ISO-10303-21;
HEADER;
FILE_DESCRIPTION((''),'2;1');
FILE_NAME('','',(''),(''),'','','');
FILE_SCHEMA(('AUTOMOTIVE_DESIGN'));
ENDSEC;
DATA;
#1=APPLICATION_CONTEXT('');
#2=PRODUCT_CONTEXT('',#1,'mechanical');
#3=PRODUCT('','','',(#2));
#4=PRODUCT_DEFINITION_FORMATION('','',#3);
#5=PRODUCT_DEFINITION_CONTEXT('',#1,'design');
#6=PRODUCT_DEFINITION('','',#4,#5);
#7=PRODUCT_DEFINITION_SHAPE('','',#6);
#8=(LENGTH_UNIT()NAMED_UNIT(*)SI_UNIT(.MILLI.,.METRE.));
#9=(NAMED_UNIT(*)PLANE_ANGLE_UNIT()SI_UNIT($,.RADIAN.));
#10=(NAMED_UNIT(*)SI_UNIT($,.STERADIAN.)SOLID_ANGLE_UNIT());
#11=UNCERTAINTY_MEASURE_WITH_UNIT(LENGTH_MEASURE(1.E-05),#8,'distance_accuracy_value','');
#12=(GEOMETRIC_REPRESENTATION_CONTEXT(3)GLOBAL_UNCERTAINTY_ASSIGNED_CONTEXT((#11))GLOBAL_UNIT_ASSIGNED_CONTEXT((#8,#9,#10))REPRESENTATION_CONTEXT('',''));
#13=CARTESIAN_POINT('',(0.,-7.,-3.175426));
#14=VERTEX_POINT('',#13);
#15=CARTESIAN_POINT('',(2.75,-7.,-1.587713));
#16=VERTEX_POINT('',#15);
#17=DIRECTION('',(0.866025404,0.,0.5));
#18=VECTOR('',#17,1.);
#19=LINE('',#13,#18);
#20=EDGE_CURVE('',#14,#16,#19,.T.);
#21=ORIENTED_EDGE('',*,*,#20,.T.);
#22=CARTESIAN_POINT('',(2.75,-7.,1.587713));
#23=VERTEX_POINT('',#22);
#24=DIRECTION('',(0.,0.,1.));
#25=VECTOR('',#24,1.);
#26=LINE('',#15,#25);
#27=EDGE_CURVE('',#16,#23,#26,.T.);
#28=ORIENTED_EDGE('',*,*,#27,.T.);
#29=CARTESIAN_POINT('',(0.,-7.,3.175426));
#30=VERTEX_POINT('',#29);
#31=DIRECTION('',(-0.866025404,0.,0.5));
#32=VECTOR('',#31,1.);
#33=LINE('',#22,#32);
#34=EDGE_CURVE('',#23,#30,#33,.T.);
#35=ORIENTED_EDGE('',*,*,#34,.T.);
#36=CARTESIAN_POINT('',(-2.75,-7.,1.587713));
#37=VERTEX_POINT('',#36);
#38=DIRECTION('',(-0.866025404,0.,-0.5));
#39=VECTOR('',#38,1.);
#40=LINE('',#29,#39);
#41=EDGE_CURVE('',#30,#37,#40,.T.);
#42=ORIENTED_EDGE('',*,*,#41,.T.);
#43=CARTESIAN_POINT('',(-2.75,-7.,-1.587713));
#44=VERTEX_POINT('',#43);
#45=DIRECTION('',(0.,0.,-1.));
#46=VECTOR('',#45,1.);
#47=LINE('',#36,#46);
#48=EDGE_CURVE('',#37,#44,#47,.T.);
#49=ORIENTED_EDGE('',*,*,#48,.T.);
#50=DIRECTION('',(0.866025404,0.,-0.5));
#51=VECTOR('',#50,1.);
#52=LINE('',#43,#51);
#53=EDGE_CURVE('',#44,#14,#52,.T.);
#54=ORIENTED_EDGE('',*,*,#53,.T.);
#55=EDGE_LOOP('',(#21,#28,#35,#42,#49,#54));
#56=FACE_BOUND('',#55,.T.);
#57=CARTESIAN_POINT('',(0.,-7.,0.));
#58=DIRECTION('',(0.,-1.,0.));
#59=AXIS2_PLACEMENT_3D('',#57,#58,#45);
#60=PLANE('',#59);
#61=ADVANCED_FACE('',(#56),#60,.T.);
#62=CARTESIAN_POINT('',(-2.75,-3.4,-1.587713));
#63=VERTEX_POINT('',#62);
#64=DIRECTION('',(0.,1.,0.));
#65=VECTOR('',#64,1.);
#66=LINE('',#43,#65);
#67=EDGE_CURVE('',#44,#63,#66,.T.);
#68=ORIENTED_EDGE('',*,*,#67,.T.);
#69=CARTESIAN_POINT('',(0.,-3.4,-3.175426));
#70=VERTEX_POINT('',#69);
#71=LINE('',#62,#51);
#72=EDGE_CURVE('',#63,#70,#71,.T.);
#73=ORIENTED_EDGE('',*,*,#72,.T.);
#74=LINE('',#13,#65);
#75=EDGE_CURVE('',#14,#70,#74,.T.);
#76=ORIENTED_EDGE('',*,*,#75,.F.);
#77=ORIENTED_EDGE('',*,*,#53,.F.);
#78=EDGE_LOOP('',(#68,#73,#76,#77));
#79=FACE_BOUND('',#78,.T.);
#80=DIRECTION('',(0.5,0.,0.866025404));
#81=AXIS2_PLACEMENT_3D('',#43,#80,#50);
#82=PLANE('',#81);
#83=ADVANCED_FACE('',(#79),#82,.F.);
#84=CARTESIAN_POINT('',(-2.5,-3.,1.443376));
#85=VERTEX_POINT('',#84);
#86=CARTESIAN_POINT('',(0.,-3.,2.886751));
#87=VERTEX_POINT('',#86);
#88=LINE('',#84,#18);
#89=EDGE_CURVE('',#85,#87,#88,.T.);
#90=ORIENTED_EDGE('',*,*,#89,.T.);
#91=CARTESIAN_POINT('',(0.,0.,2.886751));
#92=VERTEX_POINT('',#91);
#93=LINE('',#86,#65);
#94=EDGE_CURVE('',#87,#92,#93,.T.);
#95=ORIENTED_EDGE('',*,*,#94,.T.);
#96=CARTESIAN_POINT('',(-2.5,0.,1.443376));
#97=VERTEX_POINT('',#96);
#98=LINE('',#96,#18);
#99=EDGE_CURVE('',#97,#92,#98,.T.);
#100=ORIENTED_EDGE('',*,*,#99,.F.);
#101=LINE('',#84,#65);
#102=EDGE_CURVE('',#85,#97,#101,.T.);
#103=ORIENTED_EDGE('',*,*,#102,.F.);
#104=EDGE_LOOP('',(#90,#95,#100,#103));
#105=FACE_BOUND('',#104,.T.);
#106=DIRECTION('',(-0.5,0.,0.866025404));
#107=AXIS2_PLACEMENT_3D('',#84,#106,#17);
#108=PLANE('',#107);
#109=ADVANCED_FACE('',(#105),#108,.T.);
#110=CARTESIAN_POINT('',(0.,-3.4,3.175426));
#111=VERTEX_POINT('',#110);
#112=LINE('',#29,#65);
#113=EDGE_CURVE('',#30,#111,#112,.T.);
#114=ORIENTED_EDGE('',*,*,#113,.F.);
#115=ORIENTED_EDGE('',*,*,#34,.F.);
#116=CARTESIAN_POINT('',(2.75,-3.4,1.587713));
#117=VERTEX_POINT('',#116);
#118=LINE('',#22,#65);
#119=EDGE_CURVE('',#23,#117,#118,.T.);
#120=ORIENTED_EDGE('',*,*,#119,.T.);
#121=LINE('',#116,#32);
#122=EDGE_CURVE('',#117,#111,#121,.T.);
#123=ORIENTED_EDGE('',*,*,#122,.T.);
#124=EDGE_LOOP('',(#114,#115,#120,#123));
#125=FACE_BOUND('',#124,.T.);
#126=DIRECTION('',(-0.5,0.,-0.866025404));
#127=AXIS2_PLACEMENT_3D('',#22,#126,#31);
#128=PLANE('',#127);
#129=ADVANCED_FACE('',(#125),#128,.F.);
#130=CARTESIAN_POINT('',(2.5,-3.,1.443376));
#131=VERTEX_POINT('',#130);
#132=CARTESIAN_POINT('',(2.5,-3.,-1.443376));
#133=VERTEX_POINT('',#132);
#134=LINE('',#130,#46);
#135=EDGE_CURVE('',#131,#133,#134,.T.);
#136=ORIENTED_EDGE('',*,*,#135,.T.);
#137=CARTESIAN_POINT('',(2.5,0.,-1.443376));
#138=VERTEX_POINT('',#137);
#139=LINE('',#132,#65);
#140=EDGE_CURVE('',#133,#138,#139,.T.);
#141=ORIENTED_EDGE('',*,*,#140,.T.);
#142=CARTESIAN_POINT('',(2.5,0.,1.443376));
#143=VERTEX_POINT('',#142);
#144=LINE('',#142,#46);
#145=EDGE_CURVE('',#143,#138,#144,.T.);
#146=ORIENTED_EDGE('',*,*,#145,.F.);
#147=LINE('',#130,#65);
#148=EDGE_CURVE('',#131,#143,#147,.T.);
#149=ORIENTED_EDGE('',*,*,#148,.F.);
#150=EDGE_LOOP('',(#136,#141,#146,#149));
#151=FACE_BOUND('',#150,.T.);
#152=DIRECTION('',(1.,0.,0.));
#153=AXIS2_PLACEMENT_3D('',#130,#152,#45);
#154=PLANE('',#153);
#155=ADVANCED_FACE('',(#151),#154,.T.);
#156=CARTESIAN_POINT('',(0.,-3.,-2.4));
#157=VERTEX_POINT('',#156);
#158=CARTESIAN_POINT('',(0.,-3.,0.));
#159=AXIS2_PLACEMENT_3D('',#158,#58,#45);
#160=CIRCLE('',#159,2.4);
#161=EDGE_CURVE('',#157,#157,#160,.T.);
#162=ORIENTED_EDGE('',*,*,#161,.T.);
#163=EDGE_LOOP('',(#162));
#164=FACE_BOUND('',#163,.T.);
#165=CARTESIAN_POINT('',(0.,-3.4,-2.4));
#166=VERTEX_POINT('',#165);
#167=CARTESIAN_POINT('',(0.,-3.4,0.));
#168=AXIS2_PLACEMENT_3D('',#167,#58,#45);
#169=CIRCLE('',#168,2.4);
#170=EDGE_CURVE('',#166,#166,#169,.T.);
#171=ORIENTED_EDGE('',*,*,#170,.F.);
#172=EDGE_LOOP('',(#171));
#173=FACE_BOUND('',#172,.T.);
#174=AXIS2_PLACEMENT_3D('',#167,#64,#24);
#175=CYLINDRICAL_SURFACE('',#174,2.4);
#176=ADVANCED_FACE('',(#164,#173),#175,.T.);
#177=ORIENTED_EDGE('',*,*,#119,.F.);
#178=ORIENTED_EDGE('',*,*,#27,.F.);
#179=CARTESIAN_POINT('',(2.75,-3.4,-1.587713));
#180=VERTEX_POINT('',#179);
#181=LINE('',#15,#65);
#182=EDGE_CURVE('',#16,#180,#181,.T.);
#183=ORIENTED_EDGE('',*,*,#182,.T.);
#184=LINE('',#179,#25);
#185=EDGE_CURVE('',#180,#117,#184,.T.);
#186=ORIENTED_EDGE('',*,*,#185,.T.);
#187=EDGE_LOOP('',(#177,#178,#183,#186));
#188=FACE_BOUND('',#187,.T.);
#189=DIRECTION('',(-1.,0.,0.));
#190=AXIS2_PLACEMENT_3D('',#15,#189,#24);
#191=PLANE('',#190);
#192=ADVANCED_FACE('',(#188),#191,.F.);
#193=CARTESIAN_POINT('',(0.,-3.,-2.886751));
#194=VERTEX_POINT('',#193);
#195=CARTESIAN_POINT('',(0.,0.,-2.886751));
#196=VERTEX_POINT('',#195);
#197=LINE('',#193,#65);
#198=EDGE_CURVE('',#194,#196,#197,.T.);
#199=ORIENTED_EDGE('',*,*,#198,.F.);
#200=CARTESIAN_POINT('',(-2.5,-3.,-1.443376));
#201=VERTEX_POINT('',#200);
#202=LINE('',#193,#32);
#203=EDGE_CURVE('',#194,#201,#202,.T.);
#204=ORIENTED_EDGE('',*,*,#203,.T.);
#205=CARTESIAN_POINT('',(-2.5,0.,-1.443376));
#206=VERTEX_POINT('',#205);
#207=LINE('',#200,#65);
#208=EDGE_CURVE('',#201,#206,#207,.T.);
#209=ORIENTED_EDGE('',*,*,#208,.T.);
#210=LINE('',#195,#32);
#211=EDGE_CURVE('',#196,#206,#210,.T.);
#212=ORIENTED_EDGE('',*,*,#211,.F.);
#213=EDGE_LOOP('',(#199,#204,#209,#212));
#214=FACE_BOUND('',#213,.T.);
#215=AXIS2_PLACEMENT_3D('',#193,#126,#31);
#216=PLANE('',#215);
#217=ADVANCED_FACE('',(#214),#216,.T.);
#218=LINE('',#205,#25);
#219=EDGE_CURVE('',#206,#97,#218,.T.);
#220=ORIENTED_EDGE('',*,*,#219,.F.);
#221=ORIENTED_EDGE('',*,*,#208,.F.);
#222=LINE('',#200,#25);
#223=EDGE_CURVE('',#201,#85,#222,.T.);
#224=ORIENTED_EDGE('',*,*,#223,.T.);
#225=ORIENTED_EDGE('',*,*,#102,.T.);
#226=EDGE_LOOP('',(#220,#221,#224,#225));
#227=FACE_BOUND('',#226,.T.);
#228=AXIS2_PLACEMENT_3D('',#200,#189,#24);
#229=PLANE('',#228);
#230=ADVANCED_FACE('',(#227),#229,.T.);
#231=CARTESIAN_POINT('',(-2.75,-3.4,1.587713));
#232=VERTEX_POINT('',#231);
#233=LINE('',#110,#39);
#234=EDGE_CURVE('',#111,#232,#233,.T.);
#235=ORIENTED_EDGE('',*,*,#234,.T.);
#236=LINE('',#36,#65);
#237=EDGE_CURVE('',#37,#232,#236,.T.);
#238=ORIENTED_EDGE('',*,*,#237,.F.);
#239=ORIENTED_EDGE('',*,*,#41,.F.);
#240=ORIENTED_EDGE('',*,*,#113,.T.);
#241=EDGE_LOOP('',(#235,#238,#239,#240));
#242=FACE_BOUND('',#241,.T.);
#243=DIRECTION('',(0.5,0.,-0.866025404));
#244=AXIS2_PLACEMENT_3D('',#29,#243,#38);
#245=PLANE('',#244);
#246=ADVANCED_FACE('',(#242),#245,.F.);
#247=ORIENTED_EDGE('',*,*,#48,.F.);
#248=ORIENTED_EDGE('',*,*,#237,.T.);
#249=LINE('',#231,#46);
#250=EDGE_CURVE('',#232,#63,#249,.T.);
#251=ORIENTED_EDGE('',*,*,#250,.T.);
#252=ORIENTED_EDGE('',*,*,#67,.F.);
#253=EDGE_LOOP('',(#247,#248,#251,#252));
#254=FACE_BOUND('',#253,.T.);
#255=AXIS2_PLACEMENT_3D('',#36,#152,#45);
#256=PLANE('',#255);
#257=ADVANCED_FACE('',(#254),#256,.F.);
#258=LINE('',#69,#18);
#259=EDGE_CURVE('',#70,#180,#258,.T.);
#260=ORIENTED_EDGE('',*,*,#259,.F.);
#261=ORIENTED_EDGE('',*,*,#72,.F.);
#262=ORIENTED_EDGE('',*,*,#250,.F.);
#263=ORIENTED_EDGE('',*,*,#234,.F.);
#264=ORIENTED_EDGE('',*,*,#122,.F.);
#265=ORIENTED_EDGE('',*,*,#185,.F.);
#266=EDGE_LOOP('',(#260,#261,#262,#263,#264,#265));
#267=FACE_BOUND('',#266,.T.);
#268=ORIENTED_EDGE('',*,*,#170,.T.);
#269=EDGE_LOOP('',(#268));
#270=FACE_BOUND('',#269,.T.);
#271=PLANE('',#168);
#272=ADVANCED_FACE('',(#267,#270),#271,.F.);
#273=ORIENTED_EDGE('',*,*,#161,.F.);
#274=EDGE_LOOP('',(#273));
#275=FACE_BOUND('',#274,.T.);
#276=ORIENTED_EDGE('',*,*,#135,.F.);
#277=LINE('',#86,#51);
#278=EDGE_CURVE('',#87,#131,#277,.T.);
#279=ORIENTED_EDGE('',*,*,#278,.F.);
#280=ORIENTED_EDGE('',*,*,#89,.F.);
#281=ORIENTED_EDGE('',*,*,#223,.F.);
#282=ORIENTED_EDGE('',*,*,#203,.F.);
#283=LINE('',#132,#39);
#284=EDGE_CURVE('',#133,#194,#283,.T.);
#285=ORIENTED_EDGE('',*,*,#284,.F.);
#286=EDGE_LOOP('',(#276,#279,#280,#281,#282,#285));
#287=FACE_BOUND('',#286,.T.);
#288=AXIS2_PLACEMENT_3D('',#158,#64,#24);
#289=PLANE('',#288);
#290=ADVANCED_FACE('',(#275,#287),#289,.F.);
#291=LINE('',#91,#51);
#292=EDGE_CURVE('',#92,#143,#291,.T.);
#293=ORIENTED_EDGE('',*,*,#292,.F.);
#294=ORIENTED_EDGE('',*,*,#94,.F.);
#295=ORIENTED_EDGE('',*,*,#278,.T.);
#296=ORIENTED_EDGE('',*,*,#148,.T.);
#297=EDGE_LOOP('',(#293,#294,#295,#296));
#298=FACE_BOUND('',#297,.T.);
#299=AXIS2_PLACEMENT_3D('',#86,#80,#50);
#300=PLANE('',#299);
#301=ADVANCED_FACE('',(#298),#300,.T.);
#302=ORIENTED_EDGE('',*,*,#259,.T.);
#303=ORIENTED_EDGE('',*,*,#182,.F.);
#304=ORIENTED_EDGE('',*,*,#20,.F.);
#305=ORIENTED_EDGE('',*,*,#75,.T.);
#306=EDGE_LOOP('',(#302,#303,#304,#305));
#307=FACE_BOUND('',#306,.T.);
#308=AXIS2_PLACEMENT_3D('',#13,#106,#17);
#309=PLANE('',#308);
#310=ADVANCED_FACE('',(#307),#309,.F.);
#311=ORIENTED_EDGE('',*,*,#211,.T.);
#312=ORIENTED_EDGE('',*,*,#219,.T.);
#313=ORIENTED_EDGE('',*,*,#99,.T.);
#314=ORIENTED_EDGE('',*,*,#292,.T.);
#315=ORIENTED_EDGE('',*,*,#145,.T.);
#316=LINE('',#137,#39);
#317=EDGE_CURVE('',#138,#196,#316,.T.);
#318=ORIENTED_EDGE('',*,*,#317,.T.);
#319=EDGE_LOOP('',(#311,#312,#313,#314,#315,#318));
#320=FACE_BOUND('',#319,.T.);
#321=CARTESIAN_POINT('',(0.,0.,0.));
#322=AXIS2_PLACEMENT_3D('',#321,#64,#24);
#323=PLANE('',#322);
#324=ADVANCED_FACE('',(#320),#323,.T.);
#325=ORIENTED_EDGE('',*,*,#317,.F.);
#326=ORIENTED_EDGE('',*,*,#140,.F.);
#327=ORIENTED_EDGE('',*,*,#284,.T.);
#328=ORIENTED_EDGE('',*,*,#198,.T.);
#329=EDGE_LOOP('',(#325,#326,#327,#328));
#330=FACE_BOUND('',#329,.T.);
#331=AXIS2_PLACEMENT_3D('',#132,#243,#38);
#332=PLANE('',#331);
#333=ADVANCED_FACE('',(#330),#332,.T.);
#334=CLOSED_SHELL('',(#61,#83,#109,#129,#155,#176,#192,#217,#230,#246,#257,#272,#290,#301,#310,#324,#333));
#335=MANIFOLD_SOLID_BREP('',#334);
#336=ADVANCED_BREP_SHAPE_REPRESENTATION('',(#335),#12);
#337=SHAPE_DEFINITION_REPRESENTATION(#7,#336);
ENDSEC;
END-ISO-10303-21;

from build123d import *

# Parameters (mm, degrees)
EXTRUDE_1_DEPTH = 3
SKETCH_3_R      = 2.4
EXTRUDE_2_DEPTH = 0.4
EXTRUDE_3_DEPTH = 3.6


with BuildPart() as part:
    # 草图2 → 凸台-拉伸1 (new body)
    with BuildSketch(Plane(origin=(0, 0, 0), x_dir=(1, 0, 0), z_dir=(0, 1, 0))):
        Polygon((0, -2.886751346), (2.5, -1.443375673), (2.5, 1.443375673), (0, 2.886751346), (-2.5, 1.443375673), (-2.5, -1.443375673), align=None)
    extrude(amount=-EXTRUDE_1_DEPTH)

    # 草图3 → 凸台-拉伸2 (add)
    with BuildSketch(Plane.XZ.offset(3)):
        Circle(SKETCH_3_R)
    extrude(amount=EXTRUDE_2_DEPTH)

    # 草图4 → 凸台-拉伸3 (add)
    with BuildSketch(Plane.XZ.offset(3.4)):
        Polygon((0, -3.175426481), (2.75, -1.58771324), (2.75, 1.58771324), (0, 3.175426481), (-2.75, 1.58771324), (-2.75, -1.58771324), align=None)
    extrude(amount=EXTRUDE_3_DEPTH)


solid = part.part
